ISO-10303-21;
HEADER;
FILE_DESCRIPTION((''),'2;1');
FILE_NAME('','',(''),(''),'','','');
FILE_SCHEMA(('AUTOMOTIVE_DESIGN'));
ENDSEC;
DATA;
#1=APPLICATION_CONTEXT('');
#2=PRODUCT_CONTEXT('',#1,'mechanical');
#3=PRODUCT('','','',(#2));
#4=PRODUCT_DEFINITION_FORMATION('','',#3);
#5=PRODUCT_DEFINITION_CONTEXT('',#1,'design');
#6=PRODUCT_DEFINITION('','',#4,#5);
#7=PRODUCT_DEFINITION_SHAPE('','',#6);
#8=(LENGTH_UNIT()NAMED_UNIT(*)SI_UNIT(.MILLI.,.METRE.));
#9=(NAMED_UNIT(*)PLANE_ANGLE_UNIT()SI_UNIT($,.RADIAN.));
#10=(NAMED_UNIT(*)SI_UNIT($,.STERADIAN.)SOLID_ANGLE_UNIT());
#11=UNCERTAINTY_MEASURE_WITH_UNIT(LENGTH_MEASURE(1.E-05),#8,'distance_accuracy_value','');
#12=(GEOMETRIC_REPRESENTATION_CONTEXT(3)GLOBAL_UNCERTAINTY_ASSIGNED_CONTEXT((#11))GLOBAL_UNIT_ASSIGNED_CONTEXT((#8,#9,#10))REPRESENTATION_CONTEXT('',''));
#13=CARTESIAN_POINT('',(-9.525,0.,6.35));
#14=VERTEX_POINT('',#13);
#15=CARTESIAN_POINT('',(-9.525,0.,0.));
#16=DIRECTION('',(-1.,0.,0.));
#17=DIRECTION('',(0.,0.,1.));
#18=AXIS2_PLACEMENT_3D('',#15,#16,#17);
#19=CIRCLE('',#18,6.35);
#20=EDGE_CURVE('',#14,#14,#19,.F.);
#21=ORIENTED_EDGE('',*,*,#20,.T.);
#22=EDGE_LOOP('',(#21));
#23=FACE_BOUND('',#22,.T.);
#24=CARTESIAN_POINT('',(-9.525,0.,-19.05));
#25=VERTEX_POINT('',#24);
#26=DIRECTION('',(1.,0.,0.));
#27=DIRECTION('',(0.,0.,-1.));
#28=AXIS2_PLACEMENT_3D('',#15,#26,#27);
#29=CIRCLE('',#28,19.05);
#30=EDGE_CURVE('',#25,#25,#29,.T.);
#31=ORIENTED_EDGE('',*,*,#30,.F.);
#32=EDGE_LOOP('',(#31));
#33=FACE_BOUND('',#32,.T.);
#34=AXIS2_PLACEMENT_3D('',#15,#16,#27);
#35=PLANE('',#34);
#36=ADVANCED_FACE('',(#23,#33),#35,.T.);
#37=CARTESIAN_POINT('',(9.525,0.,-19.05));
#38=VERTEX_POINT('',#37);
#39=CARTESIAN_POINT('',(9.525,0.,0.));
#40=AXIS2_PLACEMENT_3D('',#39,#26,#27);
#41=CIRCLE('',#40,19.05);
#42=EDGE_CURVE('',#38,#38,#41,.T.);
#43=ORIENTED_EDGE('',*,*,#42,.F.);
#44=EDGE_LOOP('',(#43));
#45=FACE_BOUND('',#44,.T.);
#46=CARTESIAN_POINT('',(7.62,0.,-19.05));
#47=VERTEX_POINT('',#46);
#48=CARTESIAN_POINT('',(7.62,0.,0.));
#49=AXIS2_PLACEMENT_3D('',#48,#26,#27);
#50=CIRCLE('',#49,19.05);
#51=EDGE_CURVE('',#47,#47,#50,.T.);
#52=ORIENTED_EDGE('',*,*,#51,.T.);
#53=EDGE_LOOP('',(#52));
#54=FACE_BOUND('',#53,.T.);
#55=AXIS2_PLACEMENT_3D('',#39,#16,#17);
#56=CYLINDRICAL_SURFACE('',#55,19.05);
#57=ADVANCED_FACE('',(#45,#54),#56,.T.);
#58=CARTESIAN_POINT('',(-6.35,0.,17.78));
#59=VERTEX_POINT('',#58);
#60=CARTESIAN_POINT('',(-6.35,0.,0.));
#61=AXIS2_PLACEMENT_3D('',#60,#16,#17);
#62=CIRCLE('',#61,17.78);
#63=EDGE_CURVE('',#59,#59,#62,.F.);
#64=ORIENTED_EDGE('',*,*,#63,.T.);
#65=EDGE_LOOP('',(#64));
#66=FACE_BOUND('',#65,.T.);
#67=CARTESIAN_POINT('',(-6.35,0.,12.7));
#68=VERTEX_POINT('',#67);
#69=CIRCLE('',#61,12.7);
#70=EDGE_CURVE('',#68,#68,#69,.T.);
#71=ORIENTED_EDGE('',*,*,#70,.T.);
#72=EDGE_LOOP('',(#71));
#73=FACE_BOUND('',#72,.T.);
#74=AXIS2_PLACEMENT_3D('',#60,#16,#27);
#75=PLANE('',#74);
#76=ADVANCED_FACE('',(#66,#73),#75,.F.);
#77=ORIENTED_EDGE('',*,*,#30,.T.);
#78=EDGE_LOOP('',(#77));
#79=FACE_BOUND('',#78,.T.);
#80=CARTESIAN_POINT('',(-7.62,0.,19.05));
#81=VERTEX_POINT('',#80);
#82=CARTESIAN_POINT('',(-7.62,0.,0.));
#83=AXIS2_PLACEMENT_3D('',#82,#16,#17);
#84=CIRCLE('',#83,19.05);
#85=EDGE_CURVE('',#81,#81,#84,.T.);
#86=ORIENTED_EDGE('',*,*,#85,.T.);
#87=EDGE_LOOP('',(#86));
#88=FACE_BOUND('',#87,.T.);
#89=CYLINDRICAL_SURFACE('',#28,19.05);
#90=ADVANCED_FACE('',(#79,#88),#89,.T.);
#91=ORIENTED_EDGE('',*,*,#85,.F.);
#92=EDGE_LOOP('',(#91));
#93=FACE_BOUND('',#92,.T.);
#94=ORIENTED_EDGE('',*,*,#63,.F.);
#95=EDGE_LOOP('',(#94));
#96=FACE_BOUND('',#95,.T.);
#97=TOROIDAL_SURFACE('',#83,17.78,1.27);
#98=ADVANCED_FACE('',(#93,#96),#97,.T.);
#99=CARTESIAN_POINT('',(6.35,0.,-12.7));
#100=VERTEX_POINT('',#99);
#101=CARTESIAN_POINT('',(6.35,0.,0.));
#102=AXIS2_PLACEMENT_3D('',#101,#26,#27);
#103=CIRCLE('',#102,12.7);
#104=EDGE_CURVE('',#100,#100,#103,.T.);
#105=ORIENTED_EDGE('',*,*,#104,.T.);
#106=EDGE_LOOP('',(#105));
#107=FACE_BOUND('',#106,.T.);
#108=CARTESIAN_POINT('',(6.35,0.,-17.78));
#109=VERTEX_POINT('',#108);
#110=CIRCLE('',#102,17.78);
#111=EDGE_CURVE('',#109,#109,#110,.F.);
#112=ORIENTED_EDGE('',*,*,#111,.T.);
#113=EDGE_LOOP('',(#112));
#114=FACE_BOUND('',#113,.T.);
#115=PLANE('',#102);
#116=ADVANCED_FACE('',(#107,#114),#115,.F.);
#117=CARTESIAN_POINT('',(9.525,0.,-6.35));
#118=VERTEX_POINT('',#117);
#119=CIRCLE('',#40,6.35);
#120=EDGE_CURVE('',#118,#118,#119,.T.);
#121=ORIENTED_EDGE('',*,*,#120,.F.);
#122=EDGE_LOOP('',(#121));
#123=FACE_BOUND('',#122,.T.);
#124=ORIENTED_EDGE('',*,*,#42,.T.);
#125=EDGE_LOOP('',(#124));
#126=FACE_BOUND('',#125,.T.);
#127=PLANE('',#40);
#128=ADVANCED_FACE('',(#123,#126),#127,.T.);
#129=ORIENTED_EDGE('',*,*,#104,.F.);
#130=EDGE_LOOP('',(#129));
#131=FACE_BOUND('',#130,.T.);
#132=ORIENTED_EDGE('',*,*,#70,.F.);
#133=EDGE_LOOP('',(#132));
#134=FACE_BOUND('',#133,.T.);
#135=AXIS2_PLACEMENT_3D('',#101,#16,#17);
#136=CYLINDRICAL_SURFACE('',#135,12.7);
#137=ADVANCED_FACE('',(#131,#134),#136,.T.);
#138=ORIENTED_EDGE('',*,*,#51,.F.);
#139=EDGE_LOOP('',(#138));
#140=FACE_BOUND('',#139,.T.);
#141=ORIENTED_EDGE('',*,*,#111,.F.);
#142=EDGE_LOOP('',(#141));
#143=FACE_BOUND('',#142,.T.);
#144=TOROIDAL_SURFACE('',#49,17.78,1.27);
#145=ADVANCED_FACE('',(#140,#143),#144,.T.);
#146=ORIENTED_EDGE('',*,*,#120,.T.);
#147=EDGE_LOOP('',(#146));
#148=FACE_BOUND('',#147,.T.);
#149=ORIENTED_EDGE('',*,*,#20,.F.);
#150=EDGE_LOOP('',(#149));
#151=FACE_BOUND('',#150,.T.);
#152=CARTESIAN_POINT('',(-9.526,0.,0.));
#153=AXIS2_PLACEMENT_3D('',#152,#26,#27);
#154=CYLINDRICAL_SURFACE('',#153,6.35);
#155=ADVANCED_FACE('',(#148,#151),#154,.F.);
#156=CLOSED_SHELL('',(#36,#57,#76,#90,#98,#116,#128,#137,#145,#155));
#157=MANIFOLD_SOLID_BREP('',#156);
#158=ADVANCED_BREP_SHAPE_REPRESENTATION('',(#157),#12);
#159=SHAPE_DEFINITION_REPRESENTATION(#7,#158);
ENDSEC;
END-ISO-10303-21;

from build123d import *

# Parameters (mm, degrees)
SKETCH1_R            = 12.7
BOSS_EXTRUDE1_DEPTH  = 6.35
SKETCH2_R            = 19.05
BOSS_EXTRUDE2_DEPTH  = 3.175
FILLET1_R            = 1.27
FILLET1_OF_MIRROR1_R = 1.27
CUT_EXTRUDE1_REACH   = 21.05
SKETCH3_R            = 6.35


with BuildPart() as part:
    # Sketch1 → Boss-Extrude1 (new body)
    with BuildSketch(Plane(origin=(0, 0, 0), x_dir=(0, 0, -1), z_dir=(1, 0, 0))):
        Circle(SKETCH1_R)
    boss_extrude1 = extrude(amount=BOSS_EXTRUDE1_DEPTH)

    # Sketch2 → Boss-Extrude2 (add)
    with BuildSketch(Plane(origin=(6.35, 0, 0), x_dir=(0, 0, -1), z_dir=(1, 0, 0))):
        Circle(SKETCH2_R)
    boss_extrude2 = extrude(amount=BOSS_EXTRUDE2_DEPTH)

    # Fillet1
    fillet1_edges = [part.edges().sort_by_distance(p)[0] for p in [
        (6.35, 0, 19.05),
    ]]
    fillet(fillet1_edges, radius=FILLET1_R)

    # Mirror1: Boss-Extrude1, Boss-Extrude2 across plane
    add(boss_extrude1.mirror(Plane(origin=(0, 0, 0), x_dir=(0, 0, 1), z_dir=(1, 0, 0))))
    add(boss_extrude2.mirror(Plane(origin=(0, 0, 0), x_dir=(0, 0, 1), z_dir=(1, 0, 0))))

    # Fillet1 of Mirror1
    fillet1_of_mirror1_edges = [part.edges().sort_by_distance(p)[0] for p in [
        (-6.35, 0, 19.05),
    ]]
    fillet(fillet1_of_mirror1_edges, radius=FILLET1_OF_MIRROR1_R)

    # Sketch3 → Cut-Extrude1 (cut, up to next)
    with BuildSketch(Plane(origin=(9.525, 0, 0), x_dir=(0, 0, -1), z_dir=(1, 0, 0)), mode=Mode.PRIVATE) as cut_extrude1_sk1:
        Circle(SKETCH3_R)
    cut_extrude1_tool1 = extrude(cut_extrude1_sk1.sketch, amount=-CUT_EXTRUDE1_REACH, mode=Mode.PRIVATE) & part.part
    add(cut_extrude1_tool1.solids().sort_by_distance((9.525, 0, 0))[0], mode=Mode.SUBTRACT)


solid = part.part
